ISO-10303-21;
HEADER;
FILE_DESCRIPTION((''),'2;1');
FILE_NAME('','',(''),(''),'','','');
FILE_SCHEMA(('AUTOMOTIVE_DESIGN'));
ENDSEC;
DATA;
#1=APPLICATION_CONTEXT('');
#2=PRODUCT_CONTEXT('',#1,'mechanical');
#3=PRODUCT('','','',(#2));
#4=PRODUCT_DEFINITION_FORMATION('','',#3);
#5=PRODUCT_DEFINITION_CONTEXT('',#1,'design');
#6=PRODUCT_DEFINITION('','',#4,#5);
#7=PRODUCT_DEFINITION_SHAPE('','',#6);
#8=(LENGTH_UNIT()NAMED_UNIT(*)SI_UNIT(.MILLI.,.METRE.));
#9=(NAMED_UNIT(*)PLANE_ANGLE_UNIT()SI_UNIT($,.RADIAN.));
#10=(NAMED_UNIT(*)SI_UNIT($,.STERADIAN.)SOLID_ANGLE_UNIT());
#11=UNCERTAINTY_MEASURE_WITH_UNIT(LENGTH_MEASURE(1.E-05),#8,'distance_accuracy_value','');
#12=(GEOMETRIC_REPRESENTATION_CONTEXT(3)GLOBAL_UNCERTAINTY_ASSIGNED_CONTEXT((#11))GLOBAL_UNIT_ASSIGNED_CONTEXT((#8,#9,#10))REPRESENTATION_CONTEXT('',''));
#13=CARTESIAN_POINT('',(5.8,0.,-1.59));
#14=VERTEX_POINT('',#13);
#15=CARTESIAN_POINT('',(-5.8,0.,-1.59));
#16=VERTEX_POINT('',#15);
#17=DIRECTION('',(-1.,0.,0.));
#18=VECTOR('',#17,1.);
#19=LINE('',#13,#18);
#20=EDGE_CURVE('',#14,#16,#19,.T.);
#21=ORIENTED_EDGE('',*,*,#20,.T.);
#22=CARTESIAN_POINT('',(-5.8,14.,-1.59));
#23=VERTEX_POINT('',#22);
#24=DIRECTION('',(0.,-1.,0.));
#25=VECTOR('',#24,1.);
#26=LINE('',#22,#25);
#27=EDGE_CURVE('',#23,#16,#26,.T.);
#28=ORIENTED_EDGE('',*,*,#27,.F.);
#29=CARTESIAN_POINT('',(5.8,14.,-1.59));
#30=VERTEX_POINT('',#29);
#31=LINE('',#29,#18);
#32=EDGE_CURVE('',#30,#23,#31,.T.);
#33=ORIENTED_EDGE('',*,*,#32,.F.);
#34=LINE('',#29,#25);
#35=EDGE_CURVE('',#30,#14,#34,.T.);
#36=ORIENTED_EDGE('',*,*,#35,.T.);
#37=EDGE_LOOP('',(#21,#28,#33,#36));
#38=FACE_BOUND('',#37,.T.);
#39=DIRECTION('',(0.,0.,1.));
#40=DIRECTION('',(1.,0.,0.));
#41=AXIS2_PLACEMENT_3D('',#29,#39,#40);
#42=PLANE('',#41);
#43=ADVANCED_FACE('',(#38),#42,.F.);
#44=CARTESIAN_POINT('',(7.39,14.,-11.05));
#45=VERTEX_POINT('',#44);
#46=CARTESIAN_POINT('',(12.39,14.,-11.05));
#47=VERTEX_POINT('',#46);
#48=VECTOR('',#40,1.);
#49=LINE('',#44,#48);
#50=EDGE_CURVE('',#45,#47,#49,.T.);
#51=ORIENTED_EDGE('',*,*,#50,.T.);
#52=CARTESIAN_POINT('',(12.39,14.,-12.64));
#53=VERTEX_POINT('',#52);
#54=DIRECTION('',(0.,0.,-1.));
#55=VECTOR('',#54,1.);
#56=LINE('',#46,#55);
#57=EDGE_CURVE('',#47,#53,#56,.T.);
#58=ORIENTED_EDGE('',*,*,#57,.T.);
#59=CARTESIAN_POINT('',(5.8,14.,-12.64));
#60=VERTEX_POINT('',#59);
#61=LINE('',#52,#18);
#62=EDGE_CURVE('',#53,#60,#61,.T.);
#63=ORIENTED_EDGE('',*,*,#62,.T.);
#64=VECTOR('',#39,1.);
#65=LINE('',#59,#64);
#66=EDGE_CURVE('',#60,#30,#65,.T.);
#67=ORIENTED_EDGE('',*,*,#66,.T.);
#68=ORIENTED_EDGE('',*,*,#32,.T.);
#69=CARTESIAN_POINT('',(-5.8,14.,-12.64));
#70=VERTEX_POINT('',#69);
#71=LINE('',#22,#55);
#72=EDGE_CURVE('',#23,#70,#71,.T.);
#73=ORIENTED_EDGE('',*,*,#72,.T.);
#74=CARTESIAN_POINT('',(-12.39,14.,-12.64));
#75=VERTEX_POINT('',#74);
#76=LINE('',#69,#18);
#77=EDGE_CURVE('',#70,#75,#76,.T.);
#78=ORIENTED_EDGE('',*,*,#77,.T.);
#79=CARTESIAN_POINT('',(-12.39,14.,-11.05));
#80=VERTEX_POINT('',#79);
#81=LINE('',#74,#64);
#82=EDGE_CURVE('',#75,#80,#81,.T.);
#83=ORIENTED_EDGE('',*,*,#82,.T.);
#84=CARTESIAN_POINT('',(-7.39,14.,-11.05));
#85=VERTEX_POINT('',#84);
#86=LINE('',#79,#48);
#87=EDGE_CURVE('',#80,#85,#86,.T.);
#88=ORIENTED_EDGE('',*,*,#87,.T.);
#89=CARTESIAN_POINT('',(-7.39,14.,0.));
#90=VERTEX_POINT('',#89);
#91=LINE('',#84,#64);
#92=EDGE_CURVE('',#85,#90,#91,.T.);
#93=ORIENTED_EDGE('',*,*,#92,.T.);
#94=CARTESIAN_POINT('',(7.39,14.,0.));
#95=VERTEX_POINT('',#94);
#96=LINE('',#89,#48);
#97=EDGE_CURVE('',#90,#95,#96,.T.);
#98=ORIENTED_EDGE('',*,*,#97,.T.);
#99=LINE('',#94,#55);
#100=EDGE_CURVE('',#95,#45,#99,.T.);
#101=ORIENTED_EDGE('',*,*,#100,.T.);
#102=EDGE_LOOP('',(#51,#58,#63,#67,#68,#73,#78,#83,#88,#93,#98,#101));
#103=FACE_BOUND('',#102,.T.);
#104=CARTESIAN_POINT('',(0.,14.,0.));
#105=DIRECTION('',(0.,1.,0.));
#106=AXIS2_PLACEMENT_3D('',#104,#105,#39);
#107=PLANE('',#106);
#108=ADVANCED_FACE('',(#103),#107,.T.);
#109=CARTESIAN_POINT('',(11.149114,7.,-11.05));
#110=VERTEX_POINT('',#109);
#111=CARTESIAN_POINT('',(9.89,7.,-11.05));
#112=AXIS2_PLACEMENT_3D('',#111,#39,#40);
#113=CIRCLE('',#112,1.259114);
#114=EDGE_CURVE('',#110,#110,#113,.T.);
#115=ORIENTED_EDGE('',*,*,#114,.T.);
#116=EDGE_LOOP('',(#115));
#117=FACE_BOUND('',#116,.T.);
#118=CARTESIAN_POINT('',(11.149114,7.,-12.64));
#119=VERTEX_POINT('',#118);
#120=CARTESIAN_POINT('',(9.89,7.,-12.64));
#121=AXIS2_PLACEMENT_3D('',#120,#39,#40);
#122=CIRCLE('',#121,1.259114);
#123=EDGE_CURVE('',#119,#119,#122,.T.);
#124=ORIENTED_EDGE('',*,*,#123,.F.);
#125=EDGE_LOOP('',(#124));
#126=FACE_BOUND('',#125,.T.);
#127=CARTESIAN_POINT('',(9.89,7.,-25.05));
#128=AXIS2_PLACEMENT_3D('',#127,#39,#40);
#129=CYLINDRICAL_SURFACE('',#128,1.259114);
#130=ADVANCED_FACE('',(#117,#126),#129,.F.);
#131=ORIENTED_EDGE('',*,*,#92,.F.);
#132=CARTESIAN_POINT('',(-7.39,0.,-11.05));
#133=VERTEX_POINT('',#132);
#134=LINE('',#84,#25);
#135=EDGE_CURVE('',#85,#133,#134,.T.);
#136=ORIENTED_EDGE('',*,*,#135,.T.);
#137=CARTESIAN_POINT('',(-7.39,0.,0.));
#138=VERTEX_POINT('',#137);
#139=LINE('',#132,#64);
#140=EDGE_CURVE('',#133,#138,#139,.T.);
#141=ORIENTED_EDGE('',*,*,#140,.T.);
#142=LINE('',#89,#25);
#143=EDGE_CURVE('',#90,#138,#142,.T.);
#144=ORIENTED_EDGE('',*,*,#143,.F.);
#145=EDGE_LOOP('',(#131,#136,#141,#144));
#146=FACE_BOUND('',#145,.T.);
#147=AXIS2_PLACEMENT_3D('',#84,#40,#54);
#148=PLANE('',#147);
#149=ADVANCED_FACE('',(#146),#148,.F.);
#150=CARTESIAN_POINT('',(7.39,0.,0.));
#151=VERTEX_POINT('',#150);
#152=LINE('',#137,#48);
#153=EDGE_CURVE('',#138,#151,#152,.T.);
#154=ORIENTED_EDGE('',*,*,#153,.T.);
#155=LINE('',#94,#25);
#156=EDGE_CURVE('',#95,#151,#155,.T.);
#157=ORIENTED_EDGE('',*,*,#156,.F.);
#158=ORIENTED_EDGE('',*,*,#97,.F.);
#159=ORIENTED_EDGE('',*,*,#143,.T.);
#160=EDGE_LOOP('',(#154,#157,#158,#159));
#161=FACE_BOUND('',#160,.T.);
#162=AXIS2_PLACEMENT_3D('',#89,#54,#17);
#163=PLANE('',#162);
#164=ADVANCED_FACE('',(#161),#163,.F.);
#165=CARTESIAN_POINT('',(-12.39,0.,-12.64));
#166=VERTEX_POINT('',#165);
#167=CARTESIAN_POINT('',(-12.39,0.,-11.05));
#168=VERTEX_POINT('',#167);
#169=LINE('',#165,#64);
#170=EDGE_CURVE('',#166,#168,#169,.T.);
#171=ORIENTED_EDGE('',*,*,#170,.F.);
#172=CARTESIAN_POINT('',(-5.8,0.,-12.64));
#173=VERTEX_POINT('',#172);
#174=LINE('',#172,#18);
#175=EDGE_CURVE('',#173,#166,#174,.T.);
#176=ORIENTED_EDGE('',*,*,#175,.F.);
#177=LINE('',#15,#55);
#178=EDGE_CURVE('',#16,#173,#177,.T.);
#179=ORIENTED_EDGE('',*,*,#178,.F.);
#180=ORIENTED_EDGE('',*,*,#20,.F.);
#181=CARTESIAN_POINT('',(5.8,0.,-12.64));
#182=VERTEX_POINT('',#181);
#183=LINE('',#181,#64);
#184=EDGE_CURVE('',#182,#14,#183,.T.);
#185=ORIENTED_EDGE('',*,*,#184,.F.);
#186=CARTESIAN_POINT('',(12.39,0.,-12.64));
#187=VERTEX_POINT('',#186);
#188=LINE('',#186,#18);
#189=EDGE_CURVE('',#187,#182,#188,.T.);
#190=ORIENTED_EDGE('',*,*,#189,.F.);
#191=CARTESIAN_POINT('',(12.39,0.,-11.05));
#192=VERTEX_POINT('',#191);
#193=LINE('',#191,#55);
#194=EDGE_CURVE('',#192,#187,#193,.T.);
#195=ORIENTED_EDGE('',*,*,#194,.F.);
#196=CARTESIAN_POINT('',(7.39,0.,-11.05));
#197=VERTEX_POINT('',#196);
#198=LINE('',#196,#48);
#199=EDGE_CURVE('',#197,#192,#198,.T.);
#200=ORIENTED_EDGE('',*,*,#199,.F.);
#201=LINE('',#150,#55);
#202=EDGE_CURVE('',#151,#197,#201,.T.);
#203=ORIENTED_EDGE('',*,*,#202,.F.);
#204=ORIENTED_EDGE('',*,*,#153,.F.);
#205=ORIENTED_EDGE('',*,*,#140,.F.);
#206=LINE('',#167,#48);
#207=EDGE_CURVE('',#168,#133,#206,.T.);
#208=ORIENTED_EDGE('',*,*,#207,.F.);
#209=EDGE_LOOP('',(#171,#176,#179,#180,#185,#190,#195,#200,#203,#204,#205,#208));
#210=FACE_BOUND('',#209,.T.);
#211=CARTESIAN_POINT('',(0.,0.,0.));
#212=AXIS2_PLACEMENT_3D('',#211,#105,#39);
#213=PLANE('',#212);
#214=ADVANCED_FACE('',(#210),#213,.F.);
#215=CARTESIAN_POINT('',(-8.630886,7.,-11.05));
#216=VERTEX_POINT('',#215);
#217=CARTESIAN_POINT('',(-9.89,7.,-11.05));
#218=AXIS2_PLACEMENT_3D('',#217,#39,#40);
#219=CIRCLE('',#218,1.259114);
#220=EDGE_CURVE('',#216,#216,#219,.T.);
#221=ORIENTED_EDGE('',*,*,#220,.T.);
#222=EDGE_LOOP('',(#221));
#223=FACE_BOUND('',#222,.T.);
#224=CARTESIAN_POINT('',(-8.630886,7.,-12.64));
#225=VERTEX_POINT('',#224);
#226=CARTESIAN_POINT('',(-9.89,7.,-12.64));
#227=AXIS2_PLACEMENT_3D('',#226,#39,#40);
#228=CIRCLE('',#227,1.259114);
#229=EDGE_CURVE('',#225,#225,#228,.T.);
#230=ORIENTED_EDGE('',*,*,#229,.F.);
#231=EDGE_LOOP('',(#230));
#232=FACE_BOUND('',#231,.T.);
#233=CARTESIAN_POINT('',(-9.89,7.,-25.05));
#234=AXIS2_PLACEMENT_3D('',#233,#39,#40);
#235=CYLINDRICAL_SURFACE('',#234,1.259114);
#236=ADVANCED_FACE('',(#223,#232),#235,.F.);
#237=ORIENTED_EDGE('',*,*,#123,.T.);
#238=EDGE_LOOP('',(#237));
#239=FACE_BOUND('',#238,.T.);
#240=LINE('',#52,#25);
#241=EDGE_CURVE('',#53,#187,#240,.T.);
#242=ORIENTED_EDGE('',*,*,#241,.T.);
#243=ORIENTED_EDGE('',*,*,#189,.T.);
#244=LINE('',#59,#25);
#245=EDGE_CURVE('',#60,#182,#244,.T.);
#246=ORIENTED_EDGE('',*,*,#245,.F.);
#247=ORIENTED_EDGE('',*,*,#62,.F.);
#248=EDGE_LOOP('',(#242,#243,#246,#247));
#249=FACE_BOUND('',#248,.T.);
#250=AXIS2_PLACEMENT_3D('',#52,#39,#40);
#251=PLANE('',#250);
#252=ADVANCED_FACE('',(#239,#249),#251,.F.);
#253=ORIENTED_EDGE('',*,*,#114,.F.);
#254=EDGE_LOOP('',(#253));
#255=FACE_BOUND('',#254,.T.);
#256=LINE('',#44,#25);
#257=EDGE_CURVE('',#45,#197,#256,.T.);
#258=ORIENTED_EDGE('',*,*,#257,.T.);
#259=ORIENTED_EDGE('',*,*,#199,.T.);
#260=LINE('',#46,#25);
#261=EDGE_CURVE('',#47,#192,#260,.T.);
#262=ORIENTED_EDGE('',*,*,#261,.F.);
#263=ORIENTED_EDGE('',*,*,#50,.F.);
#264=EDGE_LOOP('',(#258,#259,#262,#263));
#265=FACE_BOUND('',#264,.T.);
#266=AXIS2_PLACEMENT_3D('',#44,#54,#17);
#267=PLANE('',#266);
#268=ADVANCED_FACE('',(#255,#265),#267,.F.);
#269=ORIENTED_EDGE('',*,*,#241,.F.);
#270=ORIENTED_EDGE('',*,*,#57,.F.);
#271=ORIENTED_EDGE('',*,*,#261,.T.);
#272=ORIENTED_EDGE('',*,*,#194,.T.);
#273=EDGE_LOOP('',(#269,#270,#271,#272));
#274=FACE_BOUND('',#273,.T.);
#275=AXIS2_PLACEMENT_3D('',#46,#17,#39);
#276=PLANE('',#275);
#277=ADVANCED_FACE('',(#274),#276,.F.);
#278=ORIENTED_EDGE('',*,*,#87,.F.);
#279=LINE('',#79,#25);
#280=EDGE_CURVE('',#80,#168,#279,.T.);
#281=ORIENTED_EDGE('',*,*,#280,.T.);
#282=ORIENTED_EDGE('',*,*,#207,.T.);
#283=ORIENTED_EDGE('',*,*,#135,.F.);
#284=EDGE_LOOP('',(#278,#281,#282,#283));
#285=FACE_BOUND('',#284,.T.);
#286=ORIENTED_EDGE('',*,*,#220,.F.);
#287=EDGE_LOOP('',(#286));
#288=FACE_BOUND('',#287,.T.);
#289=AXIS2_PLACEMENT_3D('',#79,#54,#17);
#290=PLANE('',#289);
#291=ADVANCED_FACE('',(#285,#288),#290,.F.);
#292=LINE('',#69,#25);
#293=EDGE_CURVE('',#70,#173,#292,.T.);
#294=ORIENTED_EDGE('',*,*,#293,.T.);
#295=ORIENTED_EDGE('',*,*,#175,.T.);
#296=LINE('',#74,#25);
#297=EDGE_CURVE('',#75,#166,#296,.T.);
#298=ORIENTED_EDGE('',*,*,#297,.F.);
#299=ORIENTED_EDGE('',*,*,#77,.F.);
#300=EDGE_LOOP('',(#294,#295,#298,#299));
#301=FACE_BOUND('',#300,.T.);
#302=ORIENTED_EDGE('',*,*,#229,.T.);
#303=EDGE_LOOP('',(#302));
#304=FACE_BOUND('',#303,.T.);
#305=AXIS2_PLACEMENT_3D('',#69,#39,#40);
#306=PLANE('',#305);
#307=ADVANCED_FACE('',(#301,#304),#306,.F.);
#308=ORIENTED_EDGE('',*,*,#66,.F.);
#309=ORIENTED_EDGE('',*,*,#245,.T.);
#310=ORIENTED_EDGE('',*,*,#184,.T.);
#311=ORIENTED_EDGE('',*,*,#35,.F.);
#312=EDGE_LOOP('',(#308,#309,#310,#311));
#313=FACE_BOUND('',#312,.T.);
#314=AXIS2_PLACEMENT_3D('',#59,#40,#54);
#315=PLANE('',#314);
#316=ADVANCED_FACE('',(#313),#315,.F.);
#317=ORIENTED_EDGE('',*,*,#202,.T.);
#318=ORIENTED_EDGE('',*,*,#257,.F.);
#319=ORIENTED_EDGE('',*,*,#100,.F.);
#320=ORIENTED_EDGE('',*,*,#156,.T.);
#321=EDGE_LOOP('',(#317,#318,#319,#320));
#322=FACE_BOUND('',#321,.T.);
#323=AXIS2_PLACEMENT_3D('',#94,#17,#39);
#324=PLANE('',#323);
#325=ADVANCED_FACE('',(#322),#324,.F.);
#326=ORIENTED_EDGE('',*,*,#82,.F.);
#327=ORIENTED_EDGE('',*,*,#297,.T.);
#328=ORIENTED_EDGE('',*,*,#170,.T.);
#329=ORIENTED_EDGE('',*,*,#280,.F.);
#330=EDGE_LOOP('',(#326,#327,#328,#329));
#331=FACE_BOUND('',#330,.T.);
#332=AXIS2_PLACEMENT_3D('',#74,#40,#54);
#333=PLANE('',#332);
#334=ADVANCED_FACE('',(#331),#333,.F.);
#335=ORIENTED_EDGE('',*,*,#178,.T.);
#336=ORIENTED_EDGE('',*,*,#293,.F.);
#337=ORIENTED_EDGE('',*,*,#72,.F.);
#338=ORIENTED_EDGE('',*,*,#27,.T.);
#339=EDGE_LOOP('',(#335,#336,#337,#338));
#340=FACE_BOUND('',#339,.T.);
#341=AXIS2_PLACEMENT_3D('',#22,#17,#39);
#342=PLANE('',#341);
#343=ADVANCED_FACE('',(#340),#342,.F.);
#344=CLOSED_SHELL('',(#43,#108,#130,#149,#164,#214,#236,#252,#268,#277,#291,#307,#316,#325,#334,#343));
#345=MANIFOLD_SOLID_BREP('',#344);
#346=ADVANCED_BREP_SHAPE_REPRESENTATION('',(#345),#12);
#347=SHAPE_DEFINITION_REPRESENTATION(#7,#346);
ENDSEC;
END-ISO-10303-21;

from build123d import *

# Parameters (mm, degrees)
BOSS_EXTRUDE1_DEPTH = 14
SKETCH2_R           = 1.259114001
CUT_EXTRUDE1_DEPTH  = 14


with BuildPart() as part:
    # Sketch1 → Boss-Extrude1 (new body)
    with BuildSketch(Plane(origin=(0, 0, 0), x_dir=(1, 0, 0), z_dir=(0, 1, 0))):
        Polygon((-7.39, 0), (7.39, 0), (7.39, 11.05), (12.39, 11.05), (12.39, 12.64), (5.8, 12.64), (5.8, 1.59), (-5.8, 1.59), (-5.8, 12.64), (-12.39, 12.64), (-12.39, 11.05), (-7.39, 11.05), align=None)
    extrude(amount=BOSS_EXTRUDE1_DEPTH)

    # Sketch2 → Cut-Extrude1 (cut)
    with BuildSketch(Plane.XY.offset(-11.05)):
        with Locations((-9.89, 7)):
            Circle(SKETCH2_R)
        with Locations((9.89, 7)):
            Circle(SKETCH2_R)
    extrude(amount=-CUT_EXTRUDE1_DEPTH, mode=Mode.SUBTRACT)


solid = part.part
